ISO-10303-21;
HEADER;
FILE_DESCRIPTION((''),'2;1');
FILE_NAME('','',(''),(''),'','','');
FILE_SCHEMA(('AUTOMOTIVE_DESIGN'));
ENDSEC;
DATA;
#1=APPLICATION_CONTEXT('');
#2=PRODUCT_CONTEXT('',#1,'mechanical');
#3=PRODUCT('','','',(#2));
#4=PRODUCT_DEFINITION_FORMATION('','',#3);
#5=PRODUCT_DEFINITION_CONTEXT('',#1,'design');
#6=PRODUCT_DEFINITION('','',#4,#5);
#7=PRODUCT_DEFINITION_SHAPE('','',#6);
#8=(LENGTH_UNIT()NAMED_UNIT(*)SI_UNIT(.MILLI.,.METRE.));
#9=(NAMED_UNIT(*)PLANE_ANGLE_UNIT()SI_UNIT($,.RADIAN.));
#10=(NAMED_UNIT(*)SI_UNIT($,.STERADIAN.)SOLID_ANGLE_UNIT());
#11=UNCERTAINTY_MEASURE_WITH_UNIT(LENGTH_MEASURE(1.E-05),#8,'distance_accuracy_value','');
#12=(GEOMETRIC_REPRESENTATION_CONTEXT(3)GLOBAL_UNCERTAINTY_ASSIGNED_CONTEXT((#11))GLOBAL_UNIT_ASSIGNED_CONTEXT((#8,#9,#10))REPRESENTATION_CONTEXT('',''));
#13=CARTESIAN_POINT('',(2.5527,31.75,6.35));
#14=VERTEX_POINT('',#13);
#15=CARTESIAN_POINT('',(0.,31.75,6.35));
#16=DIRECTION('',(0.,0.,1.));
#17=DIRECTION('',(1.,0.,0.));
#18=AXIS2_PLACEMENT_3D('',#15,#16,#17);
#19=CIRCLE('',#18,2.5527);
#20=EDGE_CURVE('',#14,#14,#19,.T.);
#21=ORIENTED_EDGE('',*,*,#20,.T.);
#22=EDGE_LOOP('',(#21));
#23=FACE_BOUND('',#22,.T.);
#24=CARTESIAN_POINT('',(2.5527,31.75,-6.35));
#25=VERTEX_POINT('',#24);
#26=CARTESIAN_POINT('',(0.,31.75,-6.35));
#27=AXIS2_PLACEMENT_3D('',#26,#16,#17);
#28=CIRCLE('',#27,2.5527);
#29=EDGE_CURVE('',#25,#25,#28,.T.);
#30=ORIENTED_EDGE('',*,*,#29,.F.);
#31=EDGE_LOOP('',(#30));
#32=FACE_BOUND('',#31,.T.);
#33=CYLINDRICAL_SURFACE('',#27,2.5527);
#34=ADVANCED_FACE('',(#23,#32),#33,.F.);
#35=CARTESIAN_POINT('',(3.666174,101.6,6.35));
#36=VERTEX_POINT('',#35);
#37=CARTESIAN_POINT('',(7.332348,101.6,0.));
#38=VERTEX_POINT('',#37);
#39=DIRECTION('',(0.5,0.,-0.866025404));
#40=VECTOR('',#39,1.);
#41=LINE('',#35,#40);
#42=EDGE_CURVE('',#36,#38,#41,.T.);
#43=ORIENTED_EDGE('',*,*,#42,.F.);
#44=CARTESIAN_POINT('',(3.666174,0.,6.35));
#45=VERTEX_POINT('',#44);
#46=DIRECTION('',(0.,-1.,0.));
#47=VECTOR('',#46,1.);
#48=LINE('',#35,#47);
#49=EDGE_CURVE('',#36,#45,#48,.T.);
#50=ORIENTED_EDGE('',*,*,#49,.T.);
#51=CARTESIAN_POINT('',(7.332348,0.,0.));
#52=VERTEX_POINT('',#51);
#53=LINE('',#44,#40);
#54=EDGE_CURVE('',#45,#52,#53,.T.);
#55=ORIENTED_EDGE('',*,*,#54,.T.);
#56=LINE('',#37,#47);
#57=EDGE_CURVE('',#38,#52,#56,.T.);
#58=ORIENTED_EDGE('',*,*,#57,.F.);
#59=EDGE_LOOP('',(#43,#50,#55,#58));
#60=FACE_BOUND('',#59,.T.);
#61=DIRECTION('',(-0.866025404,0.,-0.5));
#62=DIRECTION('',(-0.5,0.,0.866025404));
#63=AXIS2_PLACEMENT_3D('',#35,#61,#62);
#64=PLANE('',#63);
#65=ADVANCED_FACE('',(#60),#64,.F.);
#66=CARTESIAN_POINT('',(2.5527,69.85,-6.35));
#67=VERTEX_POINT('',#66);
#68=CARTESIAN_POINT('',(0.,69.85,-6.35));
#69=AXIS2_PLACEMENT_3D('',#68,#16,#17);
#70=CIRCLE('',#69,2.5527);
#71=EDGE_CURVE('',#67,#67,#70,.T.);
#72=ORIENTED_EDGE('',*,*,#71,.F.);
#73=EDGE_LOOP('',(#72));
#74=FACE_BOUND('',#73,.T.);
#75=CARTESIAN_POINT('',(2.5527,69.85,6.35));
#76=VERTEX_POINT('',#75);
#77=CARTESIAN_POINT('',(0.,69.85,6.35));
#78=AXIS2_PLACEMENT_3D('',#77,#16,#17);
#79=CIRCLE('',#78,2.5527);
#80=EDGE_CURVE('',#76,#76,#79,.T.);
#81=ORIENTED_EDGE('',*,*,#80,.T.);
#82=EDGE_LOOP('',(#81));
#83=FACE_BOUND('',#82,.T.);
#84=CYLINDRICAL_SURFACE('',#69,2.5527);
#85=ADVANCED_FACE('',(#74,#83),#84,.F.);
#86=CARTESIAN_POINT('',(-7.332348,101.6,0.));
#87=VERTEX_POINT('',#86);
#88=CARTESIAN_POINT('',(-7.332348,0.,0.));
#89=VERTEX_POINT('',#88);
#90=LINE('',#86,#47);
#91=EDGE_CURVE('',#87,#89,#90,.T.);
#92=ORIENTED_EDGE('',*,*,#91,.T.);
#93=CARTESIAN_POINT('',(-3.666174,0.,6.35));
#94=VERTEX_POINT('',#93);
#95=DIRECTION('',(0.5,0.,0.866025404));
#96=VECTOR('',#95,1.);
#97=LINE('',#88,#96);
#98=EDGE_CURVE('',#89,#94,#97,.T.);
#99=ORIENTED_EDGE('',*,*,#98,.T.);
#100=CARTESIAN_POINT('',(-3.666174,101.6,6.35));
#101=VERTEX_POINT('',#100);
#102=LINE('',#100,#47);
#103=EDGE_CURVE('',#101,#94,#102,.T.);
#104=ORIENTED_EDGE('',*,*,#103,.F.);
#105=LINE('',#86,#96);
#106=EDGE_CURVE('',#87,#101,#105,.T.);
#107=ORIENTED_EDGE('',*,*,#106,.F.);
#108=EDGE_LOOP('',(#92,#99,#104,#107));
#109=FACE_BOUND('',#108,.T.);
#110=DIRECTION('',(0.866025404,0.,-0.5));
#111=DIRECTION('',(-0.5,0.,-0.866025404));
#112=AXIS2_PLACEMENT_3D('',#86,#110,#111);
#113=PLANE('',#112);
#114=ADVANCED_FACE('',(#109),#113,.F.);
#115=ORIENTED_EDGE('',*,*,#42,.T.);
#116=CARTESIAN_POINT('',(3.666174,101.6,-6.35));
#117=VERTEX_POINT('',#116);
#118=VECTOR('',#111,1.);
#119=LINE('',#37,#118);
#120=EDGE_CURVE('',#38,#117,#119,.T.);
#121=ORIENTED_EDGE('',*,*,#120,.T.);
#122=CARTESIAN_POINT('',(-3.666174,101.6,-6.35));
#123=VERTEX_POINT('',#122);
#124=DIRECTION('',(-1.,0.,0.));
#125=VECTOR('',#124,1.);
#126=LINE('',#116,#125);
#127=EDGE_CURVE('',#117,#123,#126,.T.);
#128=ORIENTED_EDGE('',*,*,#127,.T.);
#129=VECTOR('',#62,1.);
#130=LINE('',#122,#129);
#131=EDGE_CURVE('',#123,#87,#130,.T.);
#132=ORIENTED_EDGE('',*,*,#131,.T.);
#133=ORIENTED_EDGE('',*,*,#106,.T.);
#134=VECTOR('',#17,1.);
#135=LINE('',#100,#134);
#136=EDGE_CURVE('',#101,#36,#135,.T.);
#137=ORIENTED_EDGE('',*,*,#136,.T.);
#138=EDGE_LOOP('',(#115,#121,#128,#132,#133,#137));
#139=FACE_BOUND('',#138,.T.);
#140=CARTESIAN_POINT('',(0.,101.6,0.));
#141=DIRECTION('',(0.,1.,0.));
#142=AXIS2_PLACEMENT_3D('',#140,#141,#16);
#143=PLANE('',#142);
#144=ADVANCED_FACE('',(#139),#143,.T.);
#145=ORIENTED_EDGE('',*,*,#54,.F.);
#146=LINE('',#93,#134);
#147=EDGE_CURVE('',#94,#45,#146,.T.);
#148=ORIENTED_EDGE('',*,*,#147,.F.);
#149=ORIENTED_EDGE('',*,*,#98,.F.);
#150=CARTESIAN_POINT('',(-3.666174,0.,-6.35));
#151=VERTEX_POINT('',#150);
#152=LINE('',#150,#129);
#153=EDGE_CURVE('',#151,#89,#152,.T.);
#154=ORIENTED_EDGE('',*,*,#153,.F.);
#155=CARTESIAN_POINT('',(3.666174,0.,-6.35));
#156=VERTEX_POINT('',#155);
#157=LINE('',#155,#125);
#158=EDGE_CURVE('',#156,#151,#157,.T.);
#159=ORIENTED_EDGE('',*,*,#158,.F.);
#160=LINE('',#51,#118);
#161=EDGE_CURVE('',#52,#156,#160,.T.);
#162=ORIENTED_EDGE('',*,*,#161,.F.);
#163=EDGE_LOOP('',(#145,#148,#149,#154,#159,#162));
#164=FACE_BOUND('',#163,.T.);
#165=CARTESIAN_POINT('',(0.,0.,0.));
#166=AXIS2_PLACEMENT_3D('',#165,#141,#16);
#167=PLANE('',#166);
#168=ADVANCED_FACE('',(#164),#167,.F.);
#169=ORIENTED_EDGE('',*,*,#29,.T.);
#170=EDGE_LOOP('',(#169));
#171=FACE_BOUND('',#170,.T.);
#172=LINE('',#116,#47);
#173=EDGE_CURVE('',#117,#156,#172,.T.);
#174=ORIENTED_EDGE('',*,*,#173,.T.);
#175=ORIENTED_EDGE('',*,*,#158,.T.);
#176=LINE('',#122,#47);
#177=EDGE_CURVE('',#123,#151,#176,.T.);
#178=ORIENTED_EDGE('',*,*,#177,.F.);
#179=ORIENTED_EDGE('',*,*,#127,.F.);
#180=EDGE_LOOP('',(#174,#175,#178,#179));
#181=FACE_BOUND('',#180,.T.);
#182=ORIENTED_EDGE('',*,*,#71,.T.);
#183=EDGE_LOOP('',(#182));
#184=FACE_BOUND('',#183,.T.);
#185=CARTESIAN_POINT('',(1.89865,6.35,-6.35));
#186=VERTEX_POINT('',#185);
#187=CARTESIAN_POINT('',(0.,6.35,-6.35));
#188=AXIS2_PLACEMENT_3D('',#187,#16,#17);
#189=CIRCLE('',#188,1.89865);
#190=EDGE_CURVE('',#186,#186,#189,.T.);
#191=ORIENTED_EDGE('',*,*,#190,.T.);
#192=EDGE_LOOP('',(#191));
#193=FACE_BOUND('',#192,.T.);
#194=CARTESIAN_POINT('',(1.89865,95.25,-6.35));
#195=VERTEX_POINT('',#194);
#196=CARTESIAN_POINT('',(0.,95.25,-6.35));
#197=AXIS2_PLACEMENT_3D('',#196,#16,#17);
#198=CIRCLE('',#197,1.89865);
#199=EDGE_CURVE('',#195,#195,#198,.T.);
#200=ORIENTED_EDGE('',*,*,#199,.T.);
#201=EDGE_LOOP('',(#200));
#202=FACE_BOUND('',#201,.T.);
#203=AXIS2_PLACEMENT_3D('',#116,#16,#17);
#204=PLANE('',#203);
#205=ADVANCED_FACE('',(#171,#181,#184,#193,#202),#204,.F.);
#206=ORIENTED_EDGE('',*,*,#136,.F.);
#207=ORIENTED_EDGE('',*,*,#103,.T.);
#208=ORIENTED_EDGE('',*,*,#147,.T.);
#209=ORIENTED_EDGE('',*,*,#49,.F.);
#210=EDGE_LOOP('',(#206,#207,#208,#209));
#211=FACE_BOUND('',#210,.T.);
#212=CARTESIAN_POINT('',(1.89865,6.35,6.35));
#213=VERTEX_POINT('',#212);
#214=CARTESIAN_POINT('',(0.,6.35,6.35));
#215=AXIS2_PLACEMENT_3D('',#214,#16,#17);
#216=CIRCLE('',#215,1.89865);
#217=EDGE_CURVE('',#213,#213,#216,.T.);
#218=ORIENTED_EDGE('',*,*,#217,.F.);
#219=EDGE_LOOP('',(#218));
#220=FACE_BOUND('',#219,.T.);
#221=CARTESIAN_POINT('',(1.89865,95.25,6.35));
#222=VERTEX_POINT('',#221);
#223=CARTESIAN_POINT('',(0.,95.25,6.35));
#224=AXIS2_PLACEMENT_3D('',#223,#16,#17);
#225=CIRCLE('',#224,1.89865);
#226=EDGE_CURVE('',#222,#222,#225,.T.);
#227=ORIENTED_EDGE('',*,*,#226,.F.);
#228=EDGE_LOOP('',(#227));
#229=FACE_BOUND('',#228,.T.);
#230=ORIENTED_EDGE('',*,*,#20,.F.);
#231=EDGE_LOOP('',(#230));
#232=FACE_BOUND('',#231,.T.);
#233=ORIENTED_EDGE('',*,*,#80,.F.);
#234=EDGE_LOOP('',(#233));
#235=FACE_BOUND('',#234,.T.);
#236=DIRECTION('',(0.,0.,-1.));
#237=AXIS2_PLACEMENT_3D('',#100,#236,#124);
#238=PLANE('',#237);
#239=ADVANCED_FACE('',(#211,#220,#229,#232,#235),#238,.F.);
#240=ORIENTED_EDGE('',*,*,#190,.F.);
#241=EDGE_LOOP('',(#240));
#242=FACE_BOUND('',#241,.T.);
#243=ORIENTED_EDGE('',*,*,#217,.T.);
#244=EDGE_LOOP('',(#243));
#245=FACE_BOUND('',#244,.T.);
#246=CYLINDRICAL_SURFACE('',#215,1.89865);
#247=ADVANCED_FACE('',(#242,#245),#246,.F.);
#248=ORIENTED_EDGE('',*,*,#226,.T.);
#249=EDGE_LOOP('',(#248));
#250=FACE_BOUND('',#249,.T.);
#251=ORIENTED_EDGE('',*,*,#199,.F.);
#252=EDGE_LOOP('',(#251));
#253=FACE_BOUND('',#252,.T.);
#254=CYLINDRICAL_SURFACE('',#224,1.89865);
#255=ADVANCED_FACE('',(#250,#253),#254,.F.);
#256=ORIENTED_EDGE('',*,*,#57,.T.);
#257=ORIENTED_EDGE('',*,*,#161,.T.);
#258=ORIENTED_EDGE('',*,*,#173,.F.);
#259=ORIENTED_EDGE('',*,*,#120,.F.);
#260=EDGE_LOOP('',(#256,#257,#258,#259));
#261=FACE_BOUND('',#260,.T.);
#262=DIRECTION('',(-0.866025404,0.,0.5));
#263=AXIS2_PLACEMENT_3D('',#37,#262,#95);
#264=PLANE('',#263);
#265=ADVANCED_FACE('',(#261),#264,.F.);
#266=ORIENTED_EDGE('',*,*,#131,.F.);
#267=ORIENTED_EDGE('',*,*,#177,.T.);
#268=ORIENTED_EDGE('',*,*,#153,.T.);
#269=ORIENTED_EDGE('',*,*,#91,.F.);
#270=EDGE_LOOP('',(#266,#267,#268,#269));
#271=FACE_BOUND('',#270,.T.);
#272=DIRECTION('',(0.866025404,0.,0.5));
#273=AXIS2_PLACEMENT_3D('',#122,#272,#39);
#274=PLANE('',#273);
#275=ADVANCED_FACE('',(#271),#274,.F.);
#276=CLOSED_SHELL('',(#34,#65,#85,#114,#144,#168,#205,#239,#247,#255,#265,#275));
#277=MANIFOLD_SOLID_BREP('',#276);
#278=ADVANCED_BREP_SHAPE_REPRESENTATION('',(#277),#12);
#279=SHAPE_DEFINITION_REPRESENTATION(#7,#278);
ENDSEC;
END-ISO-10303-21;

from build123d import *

# Parameters (mm, degrees)
BOSS_EXTRUDE1_DEPTH        = 101.6
TAP_DRILL_FOR_10_24_TAP1_D = 3.7973
SKETCH6_R                  = 2.5527
CUT_EXTRUDE1_DEPTH         = 103.652877862


with BuildPart() as part:
    # Sketch1 → Boss-Extrude1 (new body)
    with BuildSketch(Plane(origin=(0, 0, 0), x_dir=(1, 0, 0), z_dir=(0, 1, 0))):
        Polygon((7.332348419, 0), (3.666174209, 6.35), (-3.666174209, 6.35), (-7.332348419, 0), (-3.666174209, -6.35), (3.666174209, -6.35), align=None)
    extrude(amount=BOSS_EXTRUDE1_DEPTH)

    # Tap Drill for #10-24 Tap1 (through all)
    with Locations(Plane.XY.offset(6.35)):
        with Locations((0, 95.25), (0, 6.35)):
            Hole(TAP_DRILL_FOR_10_24_TAP1_D / 2)

    # Sketch6 → Cut-Extrude1 (cut, through all)
    with BuildSketch(Plane.XY.offset(6.35)):
        with Locations((0, 31.75)):
            Circle(SKETCH6_R)
        with Locations((0, 69.85)):
            Circle(SKETCH6_R)
    extrude(amount=-CUT_EXTRUDE1_DEPTH, mode=Mode.SUBTRACT)


solid = part.part
